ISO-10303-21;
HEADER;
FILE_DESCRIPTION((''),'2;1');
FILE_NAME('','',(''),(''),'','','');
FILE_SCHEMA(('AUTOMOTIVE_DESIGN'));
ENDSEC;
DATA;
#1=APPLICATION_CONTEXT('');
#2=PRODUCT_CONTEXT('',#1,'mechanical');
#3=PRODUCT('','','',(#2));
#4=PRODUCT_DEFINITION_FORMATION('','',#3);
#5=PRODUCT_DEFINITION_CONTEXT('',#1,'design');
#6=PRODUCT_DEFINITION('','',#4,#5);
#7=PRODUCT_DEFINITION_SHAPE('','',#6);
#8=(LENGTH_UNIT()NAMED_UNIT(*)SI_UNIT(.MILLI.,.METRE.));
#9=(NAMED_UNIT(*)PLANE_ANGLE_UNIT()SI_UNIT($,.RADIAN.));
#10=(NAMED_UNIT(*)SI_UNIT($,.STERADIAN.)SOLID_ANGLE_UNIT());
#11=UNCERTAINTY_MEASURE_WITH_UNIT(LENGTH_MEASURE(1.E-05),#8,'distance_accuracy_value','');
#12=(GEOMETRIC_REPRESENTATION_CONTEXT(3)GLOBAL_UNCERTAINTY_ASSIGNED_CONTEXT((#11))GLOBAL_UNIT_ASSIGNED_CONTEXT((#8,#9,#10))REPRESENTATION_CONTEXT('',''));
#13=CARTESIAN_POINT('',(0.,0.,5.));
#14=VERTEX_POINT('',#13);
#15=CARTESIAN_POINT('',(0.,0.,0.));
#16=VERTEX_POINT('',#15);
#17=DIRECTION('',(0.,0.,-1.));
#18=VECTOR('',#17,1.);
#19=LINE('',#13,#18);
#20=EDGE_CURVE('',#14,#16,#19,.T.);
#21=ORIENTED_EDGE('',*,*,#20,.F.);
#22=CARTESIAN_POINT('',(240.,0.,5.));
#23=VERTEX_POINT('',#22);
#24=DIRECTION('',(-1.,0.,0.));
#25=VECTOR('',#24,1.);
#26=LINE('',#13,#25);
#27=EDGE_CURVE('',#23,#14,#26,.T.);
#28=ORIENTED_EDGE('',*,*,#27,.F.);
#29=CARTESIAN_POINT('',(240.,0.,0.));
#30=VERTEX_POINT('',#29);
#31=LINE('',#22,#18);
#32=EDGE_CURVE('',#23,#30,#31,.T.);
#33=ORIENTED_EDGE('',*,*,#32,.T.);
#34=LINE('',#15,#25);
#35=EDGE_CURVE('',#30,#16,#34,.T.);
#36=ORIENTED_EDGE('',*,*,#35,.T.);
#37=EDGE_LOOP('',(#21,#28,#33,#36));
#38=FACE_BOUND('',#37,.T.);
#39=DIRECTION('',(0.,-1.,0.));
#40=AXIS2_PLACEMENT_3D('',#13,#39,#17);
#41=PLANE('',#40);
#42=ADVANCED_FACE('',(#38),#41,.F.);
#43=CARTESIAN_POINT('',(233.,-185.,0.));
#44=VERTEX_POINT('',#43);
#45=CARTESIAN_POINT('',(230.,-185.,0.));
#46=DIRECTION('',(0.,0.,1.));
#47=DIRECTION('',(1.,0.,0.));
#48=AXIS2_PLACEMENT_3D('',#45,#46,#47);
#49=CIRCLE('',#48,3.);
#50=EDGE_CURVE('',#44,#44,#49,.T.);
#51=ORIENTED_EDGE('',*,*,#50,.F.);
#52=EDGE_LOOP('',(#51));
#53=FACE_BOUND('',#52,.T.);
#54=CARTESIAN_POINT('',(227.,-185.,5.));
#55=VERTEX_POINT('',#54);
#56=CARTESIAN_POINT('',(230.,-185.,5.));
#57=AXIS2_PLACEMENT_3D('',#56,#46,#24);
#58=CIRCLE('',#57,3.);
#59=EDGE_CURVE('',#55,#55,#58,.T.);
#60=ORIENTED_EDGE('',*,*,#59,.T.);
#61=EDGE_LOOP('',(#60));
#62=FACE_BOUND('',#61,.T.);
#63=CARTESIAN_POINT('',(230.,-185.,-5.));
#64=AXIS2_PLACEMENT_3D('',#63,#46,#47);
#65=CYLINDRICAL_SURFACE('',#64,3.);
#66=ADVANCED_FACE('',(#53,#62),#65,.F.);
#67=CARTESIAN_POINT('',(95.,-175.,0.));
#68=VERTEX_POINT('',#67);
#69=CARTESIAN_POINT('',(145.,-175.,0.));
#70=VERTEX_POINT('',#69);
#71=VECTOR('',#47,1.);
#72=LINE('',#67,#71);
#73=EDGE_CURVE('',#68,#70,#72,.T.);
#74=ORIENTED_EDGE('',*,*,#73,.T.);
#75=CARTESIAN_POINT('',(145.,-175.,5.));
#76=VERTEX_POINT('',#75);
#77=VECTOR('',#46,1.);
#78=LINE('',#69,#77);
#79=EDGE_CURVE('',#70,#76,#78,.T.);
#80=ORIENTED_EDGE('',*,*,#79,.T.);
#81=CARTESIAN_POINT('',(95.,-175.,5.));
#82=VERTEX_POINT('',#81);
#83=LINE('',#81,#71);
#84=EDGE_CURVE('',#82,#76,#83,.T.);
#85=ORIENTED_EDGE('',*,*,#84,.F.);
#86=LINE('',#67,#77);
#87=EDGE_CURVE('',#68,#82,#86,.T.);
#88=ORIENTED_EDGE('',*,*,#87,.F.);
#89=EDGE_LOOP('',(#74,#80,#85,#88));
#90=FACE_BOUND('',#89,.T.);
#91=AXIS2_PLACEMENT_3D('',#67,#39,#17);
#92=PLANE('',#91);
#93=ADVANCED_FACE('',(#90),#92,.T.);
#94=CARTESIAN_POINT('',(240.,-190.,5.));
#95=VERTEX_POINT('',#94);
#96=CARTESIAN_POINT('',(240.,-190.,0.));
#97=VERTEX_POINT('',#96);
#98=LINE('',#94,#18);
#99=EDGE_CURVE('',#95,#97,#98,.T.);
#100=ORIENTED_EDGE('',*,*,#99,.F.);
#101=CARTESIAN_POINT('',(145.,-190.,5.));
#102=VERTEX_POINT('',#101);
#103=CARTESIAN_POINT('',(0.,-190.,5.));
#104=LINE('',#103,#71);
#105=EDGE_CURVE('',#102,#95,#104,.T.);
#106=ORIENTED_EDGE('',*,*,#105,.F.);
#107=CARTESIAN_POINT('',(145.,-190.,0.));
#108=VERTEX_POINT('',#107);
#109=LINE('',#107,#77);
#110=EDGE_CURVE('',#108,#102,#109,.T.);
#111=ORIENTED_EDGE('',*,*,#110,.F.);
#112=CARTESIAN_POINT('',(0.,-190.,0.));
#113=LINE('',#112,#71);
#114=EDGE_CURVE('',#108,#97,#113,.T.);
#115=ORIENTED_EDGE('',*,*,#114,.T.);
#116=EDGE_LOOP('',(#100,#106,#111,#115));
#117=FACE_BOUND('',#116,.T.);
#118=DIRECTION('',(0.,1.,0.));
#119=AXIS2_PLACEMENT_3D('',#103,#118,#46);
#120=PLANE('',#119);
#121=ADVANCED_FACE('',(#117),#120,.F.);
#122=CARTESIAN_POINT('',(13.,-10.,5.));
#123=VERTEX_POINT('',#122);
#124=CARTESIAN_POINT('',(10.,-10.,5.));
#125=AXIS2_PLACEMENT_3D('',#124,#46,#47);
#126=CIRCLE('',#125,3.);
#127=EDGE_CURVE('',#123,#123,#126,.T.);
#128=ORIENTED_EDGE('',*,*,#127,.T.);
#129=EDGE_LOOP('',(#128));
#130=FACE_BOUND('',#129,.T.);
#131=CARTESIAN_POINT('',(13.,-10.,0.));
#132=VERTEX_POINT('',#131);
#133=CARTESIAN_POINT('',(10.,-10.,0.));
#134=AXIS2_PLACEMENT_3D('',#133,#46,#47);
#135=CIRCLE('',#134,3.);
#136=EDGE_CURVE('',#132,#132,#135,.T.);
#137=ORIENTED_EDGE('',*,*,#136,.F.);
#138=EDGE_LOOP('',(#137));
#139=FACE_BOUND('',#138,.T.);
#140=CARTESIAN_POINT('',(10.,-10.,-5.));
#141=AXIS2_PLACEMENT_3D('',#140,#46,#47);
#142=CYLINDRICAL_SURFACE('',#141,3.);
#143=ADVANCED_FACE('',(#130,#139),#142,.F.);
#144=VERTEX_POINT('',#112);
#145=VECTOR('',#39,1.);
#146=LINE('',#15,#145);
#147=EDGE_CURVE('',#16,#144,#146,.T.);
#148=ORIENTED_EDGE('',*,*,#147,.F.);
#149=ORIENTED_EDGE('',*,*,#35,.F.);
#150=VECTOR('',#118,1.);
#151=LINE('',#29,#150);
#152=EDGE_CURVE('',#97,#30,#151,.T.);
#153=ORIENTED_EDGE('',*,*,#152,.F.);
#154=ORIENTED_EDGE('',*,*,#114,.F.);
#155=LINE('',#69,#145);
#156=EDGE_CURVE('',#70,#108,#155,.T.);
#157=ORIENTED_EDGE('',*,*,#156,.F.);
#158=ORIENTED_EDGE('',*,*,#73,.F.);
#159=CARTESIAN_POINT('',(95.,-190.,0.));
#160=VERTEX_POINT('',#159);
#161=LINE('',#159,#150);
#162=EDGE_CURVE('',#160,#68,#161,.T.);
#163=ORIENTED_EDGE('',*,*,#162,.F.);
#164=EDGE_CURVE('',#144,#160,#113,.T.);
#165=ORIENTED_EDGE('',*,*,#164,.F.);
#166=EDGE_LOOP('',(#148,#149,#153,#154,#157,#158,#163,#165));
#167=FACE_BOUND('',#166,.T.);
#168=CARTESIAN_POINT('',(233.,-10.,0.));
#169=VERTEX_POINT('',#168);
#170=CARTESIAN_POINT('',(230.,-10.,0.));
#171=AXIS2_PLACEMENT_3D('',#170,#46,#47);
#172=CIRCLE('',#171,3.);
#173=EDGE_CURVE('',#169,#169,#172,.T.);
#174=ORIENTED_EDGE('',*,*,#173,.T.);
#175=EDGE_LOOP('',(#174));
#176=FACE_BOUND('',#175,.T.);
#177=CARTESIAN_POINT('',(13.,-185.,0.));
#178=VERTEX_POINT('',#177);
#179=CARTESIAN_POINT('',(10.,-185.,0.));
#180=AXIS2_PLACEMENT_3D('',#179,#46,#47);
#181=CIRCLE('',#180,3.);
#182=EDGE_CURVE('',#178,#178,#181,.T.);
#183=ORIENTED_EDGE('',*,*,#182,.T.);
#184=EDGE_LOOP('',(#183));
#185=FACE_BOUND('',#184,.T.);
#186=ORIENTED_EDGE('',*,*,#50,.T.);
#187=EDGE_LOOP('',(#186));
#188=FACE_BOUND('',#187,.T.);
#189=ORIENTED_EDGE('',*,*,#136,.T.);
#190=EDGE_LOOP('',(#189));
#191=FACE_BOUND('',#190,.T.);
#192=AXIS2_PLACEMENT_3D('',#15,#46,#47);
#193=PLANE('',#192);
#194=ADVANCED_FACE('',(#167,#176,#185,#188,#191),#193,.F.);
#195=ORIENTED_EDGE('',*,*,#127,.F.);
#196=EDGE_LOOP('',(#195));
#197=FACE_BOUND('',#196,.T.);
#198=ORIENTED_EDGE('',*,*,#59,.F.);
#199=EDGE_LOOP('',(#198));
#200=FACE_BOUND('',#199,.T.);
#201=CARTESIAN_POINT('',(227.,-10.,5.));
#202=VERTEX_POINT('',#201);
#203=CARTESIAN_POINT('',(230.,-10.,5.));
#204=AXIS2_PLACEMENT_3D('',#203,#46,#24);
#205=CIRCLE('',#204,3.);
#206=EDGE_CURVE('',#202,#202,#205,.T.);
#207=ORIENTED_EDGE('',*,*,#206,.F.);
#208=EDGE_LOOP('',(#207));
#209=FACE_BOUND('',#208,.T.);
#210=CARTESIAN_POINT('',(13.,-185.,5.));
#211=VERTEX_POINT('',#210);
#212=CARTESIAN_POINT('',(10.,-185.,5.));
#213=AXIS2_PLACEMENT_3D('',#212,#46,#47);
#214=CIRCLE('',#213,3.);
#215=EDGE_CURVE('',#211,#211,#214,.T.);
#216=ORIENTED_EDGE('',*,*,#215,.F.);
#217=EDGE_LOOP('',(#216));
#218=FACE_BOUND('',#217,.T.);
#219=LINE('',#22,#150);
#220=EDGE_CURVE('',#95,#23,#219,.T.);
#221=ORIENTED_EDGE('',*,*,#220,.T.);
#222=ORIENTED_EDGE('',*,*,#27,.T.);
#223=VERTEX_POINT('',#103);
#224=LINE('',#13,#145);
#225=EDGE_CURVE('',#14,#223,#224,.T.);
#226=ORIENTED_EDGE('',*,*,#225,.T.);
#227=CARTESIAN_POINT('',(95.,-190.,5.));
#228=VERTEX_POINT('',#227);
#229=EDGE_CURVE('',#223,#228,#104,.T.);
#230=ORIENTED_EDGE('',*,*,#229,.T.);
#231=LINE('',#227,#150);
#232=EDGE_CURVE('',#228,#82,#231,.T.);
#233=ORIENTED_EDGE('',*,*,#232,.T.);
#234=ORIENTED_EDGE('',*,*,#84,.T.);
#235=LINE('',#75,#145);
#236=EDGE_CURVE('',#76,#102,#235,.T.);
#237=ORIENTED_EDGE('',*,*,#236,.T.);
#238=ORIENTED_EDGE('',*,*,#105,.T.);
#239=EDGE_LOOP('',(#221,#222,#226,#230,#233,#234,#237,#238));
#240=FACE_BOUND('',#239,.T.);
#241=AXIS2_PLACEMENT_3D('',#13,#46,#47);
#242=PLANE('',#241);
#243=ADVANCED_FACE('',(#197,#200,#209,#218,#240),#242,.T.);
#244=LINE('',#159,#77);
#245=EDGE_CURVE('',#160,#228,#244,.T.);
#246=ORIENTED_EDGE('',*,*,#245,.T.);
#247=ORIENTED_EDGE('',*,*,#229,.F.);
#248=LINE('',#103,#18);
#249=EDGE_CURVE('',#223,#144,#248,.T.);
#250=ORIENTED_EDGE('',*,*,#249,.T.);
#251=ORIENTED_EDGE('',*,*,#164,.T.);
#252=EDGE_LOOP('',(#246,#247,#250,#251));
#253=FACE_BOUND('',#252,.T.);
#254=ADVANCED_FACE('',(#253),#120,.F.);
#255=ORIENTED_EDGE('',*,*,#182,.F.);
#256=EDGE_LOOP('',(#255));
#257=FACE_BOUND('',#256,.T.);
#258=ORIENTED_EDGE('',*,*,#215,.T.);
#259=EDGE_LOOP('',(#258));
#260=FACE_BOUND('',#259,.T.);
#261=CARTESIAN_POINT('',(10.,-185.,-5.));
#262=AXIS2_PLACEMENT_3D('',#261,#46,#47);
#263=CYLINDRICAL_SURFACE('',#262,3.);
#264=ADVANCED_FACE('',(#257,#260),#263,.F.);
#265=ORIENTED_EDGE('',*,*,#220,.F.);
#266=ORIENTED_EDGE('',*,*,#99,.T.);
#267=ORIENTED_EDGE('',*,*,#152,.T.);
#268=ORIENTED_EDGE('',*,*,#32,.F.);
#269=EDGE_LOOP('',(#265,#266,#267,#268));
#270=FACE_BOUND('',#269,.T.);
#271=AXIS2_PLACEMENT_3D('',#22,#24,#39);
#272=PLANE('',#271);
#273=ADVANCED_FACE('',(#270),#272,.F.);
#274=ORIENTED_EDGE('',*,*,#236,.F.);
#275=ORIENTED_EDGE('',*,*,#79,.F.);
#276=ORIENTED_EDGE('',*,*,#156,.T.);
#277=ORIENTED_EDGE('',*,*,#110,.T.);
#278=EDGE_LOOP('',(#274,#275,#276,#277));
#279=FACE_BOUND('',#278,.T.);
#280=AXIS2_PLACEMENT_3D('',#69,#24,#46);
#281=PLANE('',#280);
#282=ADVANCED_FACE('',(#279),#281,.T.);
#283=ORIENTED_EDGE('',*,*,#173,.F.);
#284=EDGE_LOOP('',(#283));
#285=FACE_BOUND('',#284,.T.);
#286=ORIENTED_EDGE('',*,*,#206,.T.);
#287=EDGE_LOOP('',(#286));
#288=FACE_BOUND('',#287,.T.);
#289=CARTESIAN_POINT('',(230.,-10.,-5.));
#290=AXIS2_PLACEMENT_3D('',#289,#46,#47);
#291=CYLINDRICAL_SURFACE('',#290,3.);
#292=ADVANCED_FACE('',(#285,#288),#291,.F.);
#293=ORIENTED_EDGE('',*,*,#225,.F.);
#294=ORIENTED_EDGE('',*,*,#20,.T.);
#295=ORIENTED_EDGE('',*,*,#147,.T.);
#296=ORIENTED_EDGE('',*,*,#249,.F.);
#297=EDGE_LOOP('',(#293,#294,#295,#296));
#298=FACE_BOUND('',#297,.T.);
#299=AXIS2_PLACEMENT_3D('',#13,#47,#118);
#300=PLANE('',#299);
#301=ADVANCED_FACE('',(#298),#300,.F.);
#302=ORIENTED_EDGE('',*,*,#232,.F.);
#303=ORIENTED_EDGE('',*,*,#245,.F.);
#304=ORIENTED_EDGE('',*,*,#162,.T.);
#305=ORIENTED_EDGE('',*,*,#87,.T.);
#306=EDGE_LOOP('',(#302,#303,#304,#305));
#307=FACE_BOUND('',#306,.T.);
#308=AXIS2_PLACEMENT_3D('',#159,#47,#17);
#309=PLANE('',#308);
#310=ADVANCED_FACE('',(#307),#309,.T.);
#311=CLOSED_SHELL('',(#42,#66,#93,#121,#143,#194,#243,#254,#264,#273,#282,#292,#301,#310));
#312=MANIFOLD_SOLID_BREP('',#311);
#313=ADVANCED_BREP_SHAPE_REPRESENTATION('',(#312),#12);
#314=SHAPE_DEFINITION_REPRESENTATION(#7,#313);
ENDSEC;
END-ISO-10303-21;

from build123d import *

# Parameters (mm, degrees)
ESQUISSE1_W             = 240
ESQUISSE1_H             = 190
BOSS_EXTRU_1_DEPTH      = 5
ESQUISSE2_W             = 50
ESQUISSE2_H             = 15
ENL_V_MAT_EXTRU_1_DEPTH = 5
ESQUISSE3_R             = 3
ENL_V_MAT_EXTRU_2_DEPTH = 10


with BuildPart() as part:
    # Esquisse1 → Boss.-Extru.1 (new body)
    with BuildSketch(Plane.XY):
        with Locations((120, -95)):
            Rectangle(ESQUISSE1_W, ESQUISSE1_H)
    extrude(amount=BOSS_EXTRU_1_DEPTH)

    # Esquisse2 → Enlèv. mat.-Extru.1 (cut)
    with BuildSketch(Plane.XY.offset(5)):
        with Locations((120, -182.5)):
            Rectangle(ESQUISSE2_W, ESQUISSE2_H)
    extrude(amount=-ENL_V_MAT_EXTRU_1_DEPTH, mode=Mode.SUBTRACT)

    # Esquisse3 → Enlèv. mat.-Extru.2 (cut)
    with BuildSketch(Plane.XY.offset(5)):
        with Locations((10, -10)):
            Circle(ESQUISSE3_R)
        with Locations((10, -185)):
            Circle(ESQUISSE3_R)
        with Locations((230, -185)):
            Circle(ESQUISSE3_R)
        with Locations((230, -10)):
            Circle(ESQUISSE3_R)
    extrude(amount=-ENL_V_MAT_EXTRU_2_DEPTH, mode=Mode.SUBTRACT)


solid = part.part
